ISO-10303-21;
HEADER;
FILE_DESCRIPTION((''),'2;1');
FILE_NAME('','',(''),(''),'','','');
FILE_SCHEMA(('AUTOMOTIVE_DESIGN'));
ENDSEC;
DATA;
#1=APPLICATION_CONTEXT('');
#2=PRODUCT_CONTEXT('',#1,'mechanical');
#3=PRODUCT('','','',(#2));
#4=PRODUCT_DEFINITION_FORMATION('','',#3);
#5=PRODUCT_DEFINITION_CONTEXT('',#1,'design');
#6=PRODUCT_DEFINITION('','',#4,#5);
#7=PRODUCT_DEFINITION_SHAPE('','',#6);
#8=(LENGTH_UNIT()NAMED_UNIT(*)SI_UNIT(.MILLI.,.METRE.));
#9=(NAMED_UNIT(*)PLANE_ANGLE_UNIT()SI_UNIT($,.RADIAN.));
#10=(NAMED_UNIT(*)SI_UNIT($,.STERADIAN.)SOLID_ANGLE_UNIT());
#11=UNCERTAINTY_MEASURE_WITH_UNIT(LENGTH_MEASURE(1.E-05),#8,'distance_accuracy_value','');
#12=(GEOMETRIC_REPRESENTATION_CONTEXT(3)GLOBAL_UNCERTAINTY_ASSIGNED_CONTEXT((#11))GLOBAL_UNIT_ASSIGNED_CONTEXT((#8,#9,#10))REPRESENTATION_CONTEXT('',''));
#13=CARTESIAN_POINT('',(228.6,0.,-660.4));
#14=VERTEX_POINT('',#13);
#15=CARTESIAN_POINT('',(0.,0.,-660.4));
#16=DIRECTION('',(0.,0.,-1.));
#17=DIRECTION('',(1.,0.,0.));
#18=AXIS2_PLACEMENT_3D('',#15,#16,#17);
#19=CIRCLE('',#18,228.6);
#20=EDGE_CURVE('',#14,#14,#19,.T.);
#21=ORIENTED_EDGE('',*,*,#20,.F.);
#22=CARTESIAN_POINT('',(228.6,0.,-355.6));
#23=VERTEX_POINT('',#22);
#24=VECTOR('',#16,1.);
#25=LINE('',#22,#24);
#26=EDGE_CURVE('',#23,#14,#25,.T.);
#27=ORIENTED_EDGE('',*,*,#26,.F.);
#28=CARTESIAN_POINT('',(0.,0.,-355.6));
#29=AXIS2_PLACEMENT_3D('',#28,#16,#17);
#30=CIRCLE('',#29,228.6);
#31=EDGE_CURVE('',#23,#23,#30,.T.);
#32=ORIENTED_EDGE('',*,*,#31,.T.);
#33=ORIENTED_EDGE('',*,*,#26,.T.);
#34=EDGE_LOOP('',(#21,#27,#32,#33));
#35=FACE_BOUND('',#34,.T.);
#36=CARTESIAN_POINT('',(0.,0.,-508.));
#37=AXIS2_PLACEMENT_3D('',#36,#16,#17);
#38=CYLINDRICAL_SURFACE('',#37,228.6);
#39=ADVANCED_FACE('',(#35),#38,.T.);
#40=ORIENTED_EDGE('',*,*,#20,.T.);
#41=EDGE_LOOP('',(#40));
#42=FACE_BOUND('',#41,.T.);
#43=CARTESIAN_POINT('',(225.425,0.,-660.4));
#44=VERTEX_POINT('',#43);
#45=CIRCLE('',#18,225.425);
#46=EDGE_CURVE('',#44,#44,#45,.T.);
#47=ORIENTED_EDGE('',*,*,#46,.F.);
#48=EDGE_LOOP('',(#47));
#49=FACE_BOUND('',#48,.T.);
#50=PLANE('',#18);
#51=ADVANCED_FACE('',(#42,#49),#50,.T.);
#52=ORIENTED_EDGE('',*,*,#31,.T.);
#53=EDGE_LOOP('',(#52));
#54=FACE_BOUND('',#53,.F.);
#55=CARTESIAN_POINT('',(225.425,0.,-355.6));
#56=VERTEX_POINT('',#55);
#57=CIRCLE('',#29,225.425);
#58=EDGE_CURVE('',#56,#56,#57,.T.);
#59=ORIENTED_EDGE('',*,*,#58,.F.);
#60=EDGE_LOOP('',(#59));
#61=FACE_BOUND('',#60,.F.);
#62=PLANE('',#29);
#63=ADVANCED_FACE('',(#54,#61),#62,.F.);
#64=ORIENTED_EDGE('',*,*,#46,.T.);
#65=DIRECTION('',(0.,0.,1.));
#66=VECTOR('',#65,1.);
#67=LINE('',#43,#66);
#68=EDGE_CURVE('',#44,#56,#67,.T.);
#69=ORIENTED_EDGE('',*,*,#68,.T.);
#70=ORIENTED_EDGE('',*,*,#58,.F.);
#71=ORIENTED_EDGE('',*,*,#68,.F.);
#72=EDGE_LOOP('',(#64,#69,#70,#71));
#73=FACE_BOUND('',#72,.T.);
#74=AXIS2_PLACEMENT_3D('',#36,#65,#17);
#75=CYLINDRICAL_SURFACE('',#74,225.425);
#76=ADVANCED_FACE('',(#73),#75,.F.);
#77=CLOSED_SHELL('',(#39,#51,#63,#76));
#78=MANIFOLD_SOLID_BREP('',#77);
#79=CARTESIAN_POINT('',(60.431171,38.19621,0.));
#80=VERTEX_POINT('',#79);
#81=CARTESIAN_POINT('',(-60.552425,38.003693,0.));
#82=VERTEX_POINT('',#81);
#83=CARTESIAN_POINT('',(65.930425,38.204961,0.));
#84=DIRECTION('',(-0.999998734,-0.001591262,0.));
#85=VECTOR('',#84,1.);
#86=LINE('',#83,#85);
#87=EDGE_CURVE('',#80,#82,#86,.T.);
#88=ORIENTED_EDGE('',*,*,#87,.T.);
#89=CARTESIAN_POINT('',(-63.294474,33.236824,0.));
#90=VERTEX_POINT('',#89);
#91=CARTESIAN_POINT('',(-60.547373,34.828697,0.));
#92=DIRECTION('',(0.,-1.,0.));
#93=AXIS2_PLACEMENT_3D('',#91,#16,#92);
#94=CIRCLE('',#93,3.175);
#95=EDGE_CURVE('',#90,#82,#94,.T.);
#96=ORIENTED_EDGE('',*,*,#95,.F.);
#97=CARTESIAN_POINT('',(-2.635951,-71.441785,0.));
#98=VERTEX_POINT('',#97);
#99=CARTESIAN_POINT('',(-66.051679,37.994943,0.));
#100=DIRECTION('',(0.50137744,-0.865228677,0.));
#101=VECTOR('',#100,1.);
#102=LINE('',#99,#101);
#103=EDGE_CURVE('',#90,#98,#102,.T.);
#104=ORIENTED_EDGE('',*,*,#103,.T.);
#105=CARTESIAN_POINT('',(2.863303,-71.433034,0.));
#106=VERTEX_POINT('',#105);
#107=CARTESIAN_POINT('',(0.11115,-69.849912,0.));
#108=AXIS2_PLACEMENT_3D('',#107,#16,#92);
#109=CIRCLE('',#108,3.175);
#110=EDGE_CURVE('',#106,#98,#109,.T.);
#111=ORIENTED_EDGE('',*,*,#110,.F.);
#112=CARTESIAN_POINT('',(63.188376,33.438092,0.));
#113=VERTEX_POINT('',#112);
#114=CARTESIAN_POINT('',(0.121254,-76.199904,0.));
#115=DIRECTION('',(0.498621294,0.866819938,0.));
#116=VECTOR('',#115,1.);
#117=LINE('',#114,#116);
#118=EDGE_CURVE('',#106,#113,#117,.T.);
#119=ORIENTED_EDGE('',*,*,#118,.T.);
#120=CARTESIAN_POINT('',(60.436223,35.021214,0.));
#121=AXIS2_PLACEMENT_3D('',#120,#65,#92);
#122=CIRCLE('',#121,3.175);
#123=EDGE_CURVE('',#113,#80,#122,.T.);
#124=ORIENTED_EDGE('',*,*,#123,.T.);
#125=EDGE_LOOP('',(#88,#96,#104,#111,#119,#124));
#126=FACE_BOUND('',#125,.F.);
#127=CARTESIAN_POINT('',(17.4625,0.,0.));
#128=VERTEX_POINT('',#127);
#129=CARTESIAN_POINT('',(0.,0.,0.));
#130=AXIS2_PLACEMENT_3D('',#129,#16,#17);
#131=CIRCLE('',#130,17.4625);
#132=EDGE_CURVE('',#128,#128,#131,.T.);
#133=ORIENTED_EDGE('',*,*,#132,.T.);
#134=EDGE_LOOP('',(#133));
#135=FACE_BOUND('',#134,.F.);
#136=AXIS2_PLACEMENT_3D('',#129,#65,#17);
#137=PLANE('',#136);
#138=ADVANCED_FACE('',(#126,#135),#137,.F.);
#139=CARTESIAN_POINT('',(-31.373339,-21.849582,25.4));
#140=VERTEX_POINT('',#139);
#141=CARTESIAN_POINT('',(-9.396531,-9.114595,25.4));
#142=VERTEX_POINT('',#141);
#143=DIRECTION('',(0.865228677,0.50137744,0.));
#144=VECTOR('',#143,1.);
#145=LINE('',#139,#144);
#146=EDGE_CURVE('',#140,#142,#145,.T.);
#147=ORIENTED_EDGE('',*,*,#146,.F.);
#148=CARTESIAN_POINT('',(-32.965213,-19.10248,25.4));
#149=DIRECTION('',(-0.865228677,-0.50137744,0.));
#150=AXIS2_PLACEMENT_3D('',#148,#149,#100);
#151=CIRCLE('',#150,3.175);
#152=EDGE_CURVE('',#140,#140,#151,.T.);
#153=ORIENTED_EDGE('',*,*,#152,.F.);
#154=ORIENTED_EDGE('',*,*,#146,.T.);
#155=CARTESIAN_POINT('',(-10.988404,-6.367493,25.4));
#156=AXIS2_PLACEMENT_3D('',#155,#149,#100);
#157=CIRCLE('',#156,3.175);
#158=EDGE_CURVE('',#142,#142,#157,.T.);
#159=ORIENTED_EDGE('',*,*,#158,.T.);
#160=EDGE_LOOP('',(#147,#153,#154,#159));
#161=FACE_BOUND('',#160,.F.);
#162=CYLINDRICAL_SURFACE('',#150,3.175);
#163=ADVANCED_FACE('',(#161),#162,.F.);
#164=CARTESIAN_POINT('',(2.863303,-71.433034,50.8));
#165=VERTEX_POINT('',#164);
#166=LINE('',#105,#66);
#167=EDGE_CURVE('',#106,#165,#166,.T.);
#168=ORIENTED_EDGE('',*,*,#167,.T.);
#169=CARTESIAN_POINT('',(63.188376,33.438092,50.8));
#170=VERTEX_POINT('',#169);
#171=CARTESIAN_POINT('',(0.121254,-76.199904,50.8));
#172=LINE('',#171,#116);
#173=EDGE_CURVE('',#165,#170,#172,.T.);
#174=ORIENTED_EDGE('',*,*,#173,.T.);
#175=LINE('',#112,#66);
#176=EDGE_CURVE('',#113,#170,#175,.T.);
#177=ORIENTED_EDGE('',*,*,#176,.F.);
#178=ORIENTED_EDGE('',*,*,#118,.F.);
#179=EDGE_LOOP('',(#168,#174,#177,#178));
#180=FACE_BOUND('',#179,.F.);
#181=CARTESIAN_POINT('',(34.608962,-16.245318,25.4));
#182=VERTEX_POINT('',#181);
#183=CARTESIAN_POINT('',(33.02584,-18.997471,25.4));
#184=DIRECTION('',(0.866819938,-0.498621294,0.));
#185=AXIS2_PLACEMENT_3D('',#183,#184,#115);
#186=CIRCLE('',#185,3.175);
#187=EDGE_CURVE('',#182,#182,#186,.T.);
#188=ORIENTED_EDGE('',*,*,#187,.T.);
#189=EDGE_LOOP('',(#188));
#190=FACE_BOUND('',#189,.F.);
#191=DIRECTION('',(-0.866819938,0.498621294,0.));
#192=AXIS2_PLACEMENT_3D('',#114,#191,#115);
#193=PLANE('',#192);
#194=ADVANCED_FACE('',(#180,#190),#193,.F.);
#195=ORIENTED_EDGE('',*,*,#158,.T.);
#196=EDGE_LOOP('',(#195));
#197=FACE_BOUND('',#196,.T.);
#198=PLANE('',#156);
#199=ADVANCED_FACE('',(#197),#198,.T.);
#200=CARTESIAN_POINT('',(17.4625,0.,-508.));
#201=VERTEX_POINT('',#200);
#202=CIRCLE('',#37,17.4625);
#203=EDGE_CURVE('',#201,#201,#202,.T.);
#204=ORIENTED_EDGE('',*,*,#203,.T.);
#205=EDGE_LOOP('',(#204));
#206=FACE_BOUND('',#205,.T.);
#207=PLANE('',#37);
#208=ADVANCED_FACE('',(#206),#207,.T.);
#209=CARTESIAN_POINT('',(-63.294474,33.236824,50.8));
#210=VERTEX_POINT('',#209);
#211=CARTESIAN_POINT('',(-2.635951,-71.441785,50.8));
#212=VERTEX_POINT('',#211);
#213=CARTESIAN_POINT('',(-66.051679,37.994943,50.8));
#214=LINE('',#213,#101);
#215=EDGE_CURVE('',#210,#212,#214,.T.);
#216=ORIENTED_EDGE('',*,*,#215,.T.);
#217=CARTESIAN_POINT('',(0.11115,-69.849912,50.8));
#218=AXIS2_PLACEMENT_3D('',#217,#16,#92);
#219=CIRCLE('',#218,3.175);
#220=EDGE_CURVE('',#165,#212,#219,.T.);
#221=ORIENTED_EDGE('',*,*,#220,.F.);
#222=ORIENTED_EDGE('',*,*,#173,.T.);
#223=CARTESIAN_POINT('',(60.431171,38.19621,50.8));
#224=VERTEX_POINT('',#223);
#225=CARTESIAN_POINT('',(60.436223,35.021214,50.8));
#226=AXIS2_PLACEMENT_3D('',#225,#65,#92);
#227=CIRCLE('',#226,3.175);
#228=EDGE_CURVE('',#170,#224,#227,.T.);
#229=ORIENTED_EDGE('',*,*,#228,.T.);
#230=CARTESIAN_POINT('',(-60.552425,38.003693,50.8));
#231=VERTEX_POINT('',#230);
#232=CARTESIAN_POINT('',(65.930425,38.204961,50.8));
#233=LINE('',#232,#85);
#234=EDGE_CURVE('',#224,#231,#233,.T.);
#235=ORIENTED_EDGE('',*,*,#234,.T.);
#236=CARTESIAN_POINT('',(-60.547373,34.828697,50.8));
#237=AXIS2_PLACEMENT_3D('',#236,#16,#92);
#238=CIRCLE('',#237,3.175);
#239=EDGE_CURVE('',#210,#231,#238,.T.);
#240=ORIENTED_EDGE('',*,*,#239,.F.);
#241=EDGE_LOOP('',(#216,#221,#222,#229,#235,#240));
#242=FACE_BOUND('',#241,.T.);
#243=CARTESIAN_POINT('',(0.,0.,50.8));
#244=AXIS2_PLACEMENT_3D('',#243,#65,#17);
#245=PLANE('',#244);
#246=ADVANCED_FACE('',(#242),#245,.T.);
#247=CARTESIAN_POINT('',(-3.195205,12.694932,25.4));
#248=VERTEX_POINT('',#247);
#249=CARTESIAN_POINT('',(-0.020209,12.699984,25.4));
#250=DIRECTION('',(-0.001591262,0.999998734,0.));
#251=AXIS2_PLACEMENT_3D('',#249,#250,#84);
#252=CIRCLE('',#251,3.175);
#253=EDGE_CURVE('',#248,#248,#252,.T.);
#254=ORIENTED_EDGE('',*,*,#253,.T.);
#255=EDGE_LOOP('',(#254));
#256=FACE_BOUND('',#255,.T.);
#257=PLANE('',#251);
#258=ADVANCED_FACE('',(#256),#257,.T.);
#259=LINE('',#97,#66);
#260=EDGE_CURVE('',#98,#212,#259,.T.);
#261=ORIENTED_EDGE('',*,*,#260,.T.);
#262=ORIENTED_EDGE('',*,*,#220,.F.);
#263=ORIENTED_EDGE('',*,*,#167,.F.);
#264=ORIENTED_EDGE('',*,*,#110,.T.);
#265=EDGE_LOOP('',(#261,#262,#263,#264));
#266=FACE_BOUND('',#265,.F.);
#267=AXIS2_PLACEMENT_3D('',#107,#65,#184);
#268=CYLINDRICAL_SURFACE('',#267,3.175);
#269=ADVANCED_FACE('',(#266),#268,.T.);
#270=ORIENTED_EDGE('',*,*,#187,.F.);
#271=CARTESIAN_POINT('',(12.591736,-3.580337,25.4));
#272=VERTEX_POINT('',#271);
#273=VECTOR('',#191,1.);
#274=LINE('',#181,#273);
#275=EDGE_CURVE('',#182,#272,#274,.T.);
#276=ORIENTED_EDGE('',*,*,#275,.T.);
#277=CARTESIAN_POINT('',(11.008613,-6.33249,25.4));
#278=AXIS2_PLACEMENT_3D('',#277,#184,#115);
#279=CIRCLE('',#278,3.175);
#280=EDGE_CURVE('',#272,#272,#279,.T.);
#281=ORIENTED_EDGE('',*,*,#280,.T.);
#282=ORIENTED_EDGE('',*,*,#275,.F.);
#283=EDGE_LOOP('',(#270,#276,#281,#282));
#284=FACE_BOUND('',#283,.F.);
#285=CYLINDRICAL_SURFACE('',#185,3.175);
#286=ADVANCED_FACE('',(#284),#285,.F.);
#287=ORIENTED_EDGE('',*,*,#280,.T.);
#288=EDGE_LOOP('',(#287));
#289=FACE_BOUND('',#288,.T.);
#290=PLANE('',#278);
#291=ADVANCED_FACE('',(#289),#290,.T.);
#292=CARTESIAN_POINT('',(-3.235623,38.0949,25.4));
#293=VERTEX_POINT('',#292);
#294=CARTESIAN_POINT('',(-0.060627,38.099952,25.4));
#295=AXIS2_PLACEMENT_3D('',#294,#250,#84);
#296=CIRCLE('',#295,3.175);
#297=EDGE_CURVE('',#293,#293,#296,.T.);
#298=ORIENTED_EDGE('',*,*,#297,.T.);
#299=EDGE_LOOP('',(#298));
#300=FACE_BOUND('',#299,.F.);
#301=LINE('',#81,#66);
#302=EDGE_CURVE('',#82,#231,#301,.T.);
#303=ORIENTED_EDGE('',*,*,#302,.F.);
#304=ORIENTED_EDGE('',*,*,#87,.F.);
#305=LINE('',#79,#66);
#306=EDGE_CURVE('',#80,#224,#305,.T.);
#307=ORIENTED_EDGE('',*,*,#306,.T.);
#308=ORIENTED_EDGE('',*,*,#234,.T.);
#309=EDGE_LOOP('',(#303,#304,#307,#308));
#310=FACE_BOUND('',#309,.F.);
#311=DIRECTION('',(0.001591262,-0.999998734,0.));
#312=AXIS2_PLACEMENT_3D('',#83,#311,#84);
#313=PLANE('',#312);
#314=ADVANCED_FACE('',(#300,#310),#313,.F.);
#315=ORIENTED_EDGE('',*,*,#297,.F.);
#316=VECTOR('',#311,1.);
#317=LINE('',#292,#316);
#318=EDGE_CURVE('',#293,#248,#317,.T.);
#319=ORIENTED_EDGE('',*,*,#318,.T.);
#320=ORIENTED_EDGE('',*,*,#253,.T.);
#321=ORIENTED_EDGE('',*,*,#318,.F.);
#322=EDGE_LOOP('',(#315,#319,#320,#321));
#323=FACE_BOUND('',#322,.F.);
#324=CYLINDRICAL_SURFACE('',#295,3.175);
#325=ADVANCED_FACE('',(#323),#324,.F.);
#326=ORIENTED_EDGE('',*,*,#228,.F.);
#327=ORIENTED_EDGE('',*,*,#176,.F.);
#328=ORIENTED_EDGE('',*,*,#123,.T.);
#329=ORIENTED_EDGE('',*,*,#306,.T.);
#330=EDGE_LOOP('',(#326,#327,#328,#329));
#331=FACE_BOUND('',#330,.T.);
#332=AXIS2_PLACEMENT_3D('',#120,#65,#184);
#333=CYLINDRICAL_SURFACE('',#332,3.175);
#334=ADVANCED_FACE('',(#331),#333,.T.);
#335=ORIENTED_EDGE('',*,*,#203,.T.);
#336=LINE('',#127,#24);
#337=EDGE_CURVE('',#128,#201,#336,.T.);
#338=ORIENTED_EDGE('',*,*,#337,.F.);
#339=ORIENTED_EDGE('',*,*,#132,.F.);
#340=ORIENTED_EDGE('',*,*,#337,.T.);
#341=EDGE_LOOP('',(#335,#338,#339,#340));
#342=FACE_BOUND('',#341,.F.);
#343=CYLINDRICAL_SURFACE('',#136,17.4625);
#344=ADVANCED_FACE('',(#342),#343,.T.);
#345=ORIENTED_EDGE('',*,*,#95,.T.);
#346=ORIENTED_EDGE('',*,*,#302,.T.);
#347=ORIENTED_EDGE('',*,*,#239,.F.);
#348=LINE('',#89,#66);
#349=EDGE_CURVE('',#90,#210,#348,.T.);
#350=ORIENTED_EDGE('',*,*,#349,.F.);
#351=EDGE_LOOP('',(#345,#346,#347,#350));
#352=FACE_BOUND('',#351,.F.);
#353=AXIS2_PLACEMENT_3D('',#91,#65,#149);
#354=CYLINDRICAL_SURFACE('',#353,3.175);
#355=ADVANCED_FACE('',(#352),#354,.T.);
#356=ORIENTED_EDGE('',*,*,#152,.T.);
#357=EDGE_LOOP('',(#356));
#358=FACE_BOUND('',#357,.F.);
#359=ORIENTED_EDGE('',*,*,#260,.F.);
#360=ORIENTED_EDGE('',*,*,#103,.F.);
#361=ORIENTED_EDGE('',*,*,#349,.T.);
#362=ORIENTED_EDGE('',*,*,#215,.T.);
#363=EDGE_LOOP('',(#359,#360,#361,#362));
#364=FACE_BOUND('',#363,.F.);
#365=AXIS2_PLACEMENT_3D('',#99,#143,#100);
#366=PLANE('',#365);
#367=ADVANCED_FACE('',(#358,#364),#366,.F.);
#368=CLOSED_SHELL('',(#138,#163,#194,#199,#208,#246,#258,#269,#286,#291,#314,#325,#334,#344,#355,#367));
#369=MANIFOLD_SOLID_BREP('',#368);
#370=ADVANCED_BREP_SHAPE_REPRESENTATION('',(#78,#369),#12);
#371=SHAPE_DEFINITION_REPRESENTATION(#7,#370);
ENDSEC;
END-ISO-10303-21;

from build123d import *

# Parameters (mm, degrees)
F1_DEPTH  = 50.8
F2_R      = 3.175
F3_DEPTH  = 25.4
F5_R      = 3.175
F6_DEPTH  = 25.4
F4_R      = 3.175
F7_DEPTH  = 25.4
F8_R      = 17.4625
F9_DEPTH  = 508
F10_R     = 228.6
F10_R_2   = 225.425
F11_DEPTH = 152.4
F12_R     = 3.175


with BuildPart() as f1:
    # F0 (on Top) → F1 (new body)
    with BuildSketch(Plane.XY):
        Polygon((0.1212541357, -76.1999035264), (65.930425152, 38.204960925), (-66.0516792876, 37.9949426014), align=None)
    extrude(amount=F1_DEPTH)

    # F2 (on face) → F3 (cut)
    with BuildSketch(Plane(origin=(33.0258396438, -18.9974713007, 0), x_dir=(0.498621294, 0.8668199382, 0), z_dir=(0.8668199382, -0.498621294, 0))):
        with Locations((0, 25.4)):
            Circle(F2_R)
    extrude(amount=-F3_DEPTH, mode=Mode.SUBTRACT)

    # F5 (on face) → F6 (cut)
    with BuildSketch(Plane(origin=(-32.965212576, -19.1024804625, 0), x_dir=(0.50137744, -0.8652286765, 0), z_dir=(-0.8652286765, -0.50137744, 0))):
        with Locations((0, 25.4)):
            Circle(F5_R)
    extrude(amount=-F6_DEPTH, mode=Mode.SUBTRACT)

    # F4 (on face) → F7 (cut)
    with BuildSketch(Plane(origin=(-0.0606270678, 38.0999517632, 0), x_dir=(-0.9999987339, -0.0015912616, 0), z_dir=(-0.0015912616, 0.9999987339, 0))):
        with Locations((0, 25.4)):
            Circle(F4_R)
    extrude(amount=-F7_DEPTH, mode=Mode.SUBTRACT)

    # F8 (on face) → F9 (join)
    with BuildSketch(Plane(origin=(0, 0, 0), x_dir=(1, 0, 0), z_dir=(0, 0, -1))):
        Circle(F8_R)
    extrude(amount=F9_DEPTH)

    # F12
    f12_edges = [f1.edges().sort_by_distance(p)[0] for p in [
        (65.930425, 38.204961, 25.4),
        (0.121254, -76.199904, 25.4),
        (-66.051679, 37.994943, 25.4),
    ]]
    fillet(f12_edges, radius=F12_R)


with BuildPart() as f11:
    # F10 (on face) → F11 (new body, symmetric)
    with BuildSketch(Plane(origin=(0, 0, -508), x_dir=(1, 0, 0), z_dir=(0, 0, -1))):
        Circle(F10_R)
        Circle(F10_R_2, mode=Mode.SUBTRACT)
    extrude(amount=F11_DEPTH, both=True)


solid = Compound([f1.part, f11.part])
